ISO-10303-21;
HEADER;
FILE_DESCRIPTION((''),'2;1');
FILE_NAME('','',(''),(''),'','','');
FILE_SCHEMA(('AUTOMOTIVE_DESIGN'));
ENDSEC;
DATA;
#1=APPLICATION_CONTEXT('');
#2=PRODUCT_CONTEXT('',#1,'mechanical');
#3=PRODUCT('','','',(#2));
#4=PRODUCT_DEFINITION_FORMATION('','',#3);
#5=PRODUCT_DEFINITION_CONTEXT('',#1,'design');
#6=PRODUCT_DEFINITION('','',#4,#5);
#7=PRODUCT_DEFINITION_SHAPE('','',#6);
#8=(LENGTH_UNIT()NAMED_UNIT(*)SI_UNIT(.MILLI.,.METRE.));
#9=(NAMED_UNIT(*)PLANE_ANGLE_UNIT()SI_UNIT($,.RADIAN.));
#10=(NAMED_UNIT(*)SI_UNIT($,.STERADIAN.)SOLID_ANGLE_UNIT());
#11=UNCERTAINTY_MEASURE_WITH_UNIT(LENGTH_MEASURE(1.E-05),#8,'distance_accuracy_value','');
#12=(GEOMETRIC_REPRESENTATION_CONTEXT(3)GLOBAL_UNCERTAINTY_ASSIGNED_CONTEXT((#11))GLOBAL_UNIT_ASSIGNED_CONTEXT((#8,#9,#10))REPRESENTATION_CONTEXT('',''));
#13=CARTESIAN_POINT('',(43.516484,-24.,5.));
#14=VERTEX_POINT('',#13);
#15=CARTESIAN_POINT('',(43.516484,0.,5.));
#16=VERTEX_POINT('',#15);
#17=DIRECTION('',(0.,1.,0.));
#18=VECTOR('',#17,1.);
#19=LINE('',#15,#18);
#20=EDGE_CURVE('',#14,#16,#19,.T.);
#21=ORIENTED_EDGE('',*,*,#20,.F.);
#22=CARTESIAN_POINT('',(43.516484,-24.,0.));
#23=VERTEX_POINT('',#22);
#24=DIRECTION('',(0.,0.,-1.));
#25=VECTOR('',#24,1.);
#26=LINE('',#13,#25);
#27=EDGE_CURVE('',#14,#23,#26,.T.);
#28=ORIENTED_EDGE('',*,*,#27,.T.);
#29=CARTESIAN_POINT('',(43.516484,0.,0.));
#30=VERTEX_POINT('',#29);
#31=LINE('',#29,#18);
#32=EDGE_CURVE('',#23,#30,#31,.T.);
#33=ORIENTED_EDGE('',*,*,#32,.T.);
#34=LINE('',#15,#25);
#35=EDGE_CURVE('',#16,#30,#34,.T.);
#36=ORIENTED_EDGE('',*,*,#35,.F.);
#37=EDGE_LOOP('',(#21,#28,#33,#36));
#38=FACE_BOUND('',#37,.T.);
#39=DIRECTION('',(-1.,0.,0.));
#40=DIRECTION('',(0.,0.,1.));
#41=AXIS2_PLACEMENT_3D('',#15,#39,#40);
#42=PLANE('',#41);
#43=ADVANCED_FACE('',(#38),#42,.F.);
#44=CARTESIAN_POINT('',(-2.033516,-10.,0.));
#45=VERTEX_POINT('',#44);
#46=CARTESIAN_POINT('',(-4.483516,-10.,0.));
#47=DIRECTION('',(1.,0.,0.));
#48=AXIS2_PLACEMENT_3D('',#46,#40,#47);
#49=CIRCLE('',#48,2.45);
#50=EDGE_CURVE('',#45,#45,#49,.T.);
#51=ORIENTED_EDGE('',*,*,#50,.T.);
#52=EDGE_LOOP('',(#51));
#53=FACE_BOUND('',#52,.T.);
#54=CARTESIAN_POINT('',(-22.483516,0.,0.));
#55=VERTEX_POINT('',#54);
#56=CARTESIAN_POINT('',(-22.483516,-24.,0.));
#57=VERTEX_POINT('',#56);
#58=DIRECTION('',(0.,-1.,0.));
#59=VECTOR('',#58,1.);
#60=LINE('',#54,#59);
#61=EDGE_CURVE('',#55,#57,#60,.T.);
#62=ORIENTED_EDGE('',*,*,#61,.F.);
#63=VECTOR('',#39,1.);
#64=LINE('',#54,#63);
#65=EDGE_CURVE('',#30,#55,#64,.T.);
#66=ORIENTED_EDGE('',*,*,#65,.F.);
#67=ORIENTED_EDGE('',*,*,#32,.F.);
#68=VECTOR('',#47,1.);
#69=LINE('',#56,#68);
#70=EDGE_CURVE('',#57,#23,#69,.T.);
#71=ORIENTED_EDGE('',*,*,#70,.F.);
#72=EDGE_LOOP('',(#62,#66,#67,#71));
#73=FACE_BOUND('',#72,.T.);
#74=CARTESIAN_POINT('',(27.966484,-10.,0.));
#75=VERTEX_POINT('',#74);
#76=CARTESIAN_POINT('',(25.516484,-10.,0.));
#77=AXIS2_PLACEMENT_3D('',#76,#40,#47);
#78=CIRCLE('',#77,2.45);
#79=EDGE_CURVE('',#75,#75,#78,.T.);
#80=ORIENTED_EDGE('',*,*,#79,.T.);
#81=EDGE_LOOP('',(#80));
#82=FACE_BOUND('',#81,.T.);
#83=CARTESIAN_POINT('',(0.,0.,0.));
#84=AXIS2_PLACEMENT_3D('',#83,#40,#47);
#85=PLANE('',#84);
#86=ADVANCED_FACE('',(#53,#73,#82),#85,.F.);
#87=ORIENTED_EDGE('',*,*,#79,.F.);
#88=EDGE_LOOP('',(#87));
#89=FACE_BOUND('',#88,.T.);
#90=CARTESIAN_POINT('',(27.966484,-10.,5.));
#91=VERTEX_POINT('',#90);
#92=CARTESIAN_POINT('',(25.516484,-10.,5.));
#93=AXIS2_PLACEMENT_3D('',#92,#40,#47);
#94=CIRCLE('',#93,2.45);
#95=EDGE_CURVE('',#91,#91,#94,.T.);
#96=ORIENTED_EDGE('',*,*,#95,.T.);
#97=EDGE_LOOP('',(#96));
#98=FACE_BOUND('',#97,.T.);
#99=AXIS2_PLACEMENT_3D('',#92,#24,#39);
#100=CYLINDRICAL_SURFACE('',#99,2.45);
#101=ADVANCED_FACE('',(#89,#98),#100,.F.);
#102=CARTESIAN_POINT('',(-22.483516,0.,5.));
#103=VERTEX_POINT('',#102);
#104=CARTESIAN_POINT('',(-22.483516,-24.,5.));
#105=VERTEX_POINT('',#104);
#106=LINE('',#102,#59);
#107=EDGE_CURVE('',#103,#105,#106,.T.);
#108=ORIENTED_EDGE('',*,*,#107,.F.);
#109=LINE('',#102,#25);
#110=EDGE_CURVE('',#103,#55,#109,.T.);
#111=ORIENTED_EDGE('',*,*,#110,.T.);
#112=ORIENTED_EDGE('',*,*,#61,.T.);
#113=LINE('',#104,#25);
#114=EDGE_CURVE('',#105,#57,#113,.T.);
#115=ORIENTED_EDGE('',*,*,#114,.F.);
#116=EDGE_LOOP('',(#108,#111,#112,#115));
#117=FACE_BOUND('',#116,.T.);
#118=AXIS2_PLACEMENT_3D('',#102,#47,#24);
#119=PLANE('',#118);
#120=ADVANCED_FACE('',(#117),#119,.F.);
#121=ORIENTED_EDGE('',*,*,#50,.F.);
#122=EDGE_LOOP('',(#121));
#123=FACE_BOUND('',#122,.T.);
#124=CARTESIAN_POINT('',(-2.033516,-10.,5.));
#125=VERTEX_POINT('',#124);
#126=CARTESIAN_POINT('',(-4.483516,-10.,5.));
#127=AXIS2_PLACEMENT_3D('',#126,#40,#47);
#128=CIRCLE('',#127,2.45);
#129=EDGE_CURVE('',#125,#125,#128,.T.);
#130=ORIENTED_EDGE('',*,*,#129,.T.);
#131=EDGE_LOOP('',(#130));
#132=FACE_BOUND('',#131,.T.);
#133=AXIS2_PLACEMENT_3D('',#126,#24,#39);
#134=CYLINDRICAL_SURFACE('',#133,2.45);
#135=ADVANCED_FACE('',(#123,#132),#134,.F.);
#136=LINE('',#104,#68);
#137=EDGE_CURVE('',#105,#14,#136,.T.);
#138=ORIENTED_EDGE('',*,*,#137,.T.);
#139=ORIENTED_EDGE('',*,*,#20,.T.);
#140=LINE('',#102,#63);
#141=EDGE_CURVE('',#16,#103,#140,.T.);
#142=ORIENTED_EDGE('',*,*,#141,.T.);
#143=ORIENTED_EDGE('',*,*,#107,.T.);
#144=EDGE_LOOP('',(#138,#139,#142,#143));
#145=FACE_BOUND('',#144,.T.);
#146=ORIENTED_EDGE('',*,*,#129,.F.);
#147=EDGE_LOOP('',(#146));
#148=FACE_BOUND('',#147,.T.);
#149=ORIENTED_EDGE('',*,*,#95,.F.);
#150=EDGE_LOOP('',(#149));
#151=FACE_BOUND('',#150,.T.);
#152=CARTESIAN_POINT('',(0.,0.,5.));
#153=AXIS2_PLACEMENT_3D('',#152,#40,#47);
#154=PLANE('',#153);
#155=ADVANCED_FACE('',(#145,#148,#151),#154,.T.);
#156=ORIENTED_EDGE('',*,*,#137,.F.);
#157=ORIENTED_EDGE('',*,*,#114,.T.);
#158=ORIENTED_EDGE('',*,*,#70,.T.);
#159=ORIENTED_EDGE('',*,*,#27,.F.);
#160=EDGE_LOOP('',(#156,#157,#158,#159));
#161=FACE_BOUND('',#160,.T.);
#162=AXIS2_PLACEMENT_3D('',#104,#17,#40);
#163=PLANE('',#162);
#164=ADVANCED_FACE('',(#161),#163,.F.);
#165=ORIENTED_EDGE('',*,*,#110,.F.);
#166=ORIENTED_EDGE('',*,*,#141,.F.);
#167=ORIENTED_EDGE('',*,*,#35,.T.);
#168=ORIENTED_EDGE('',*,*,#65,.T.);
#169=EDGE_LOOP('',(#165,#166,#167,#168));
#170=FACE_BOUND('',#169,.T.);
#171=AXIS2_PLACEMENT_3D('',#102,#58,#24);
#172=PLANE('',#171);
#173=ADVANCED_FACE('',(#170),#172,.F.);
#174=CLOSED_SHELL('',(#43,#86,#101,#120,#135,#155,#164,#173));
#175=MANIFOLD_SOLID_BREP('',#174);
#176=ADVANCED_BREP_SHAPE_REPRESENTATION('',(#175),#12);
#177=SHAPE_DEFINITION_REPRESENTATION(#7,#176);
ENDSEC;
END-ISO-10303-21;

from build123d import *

# Parameters (mm, degrees)
SKETCH2_W           = 66
SKETCH2_H           = 24
SKETCH2_R           = 2.45
BOSS_EXTRUDE1_DEPTH = 5


with BuildPart() as part:
    # Sketch2 → Boss-Extrude1 (new body)
    with BuildSketch(Plane.XY):
        with Locations((10.516483516, -12)):
            Rectangle(SKETCH2_W, SKETCH2_H)
        with Locations((-4.483516484, -10)):
            Circle(SKETCH2_R, mode=Mode.SUBTRACT)
        with Locations((25.516483516, -10)):
            Circle(SKETCH2_R, mode=Mode.SUBTRACT)
    extrude(amount=BOSS_EXTRUDE1_DEPTH)


solid = part.part
